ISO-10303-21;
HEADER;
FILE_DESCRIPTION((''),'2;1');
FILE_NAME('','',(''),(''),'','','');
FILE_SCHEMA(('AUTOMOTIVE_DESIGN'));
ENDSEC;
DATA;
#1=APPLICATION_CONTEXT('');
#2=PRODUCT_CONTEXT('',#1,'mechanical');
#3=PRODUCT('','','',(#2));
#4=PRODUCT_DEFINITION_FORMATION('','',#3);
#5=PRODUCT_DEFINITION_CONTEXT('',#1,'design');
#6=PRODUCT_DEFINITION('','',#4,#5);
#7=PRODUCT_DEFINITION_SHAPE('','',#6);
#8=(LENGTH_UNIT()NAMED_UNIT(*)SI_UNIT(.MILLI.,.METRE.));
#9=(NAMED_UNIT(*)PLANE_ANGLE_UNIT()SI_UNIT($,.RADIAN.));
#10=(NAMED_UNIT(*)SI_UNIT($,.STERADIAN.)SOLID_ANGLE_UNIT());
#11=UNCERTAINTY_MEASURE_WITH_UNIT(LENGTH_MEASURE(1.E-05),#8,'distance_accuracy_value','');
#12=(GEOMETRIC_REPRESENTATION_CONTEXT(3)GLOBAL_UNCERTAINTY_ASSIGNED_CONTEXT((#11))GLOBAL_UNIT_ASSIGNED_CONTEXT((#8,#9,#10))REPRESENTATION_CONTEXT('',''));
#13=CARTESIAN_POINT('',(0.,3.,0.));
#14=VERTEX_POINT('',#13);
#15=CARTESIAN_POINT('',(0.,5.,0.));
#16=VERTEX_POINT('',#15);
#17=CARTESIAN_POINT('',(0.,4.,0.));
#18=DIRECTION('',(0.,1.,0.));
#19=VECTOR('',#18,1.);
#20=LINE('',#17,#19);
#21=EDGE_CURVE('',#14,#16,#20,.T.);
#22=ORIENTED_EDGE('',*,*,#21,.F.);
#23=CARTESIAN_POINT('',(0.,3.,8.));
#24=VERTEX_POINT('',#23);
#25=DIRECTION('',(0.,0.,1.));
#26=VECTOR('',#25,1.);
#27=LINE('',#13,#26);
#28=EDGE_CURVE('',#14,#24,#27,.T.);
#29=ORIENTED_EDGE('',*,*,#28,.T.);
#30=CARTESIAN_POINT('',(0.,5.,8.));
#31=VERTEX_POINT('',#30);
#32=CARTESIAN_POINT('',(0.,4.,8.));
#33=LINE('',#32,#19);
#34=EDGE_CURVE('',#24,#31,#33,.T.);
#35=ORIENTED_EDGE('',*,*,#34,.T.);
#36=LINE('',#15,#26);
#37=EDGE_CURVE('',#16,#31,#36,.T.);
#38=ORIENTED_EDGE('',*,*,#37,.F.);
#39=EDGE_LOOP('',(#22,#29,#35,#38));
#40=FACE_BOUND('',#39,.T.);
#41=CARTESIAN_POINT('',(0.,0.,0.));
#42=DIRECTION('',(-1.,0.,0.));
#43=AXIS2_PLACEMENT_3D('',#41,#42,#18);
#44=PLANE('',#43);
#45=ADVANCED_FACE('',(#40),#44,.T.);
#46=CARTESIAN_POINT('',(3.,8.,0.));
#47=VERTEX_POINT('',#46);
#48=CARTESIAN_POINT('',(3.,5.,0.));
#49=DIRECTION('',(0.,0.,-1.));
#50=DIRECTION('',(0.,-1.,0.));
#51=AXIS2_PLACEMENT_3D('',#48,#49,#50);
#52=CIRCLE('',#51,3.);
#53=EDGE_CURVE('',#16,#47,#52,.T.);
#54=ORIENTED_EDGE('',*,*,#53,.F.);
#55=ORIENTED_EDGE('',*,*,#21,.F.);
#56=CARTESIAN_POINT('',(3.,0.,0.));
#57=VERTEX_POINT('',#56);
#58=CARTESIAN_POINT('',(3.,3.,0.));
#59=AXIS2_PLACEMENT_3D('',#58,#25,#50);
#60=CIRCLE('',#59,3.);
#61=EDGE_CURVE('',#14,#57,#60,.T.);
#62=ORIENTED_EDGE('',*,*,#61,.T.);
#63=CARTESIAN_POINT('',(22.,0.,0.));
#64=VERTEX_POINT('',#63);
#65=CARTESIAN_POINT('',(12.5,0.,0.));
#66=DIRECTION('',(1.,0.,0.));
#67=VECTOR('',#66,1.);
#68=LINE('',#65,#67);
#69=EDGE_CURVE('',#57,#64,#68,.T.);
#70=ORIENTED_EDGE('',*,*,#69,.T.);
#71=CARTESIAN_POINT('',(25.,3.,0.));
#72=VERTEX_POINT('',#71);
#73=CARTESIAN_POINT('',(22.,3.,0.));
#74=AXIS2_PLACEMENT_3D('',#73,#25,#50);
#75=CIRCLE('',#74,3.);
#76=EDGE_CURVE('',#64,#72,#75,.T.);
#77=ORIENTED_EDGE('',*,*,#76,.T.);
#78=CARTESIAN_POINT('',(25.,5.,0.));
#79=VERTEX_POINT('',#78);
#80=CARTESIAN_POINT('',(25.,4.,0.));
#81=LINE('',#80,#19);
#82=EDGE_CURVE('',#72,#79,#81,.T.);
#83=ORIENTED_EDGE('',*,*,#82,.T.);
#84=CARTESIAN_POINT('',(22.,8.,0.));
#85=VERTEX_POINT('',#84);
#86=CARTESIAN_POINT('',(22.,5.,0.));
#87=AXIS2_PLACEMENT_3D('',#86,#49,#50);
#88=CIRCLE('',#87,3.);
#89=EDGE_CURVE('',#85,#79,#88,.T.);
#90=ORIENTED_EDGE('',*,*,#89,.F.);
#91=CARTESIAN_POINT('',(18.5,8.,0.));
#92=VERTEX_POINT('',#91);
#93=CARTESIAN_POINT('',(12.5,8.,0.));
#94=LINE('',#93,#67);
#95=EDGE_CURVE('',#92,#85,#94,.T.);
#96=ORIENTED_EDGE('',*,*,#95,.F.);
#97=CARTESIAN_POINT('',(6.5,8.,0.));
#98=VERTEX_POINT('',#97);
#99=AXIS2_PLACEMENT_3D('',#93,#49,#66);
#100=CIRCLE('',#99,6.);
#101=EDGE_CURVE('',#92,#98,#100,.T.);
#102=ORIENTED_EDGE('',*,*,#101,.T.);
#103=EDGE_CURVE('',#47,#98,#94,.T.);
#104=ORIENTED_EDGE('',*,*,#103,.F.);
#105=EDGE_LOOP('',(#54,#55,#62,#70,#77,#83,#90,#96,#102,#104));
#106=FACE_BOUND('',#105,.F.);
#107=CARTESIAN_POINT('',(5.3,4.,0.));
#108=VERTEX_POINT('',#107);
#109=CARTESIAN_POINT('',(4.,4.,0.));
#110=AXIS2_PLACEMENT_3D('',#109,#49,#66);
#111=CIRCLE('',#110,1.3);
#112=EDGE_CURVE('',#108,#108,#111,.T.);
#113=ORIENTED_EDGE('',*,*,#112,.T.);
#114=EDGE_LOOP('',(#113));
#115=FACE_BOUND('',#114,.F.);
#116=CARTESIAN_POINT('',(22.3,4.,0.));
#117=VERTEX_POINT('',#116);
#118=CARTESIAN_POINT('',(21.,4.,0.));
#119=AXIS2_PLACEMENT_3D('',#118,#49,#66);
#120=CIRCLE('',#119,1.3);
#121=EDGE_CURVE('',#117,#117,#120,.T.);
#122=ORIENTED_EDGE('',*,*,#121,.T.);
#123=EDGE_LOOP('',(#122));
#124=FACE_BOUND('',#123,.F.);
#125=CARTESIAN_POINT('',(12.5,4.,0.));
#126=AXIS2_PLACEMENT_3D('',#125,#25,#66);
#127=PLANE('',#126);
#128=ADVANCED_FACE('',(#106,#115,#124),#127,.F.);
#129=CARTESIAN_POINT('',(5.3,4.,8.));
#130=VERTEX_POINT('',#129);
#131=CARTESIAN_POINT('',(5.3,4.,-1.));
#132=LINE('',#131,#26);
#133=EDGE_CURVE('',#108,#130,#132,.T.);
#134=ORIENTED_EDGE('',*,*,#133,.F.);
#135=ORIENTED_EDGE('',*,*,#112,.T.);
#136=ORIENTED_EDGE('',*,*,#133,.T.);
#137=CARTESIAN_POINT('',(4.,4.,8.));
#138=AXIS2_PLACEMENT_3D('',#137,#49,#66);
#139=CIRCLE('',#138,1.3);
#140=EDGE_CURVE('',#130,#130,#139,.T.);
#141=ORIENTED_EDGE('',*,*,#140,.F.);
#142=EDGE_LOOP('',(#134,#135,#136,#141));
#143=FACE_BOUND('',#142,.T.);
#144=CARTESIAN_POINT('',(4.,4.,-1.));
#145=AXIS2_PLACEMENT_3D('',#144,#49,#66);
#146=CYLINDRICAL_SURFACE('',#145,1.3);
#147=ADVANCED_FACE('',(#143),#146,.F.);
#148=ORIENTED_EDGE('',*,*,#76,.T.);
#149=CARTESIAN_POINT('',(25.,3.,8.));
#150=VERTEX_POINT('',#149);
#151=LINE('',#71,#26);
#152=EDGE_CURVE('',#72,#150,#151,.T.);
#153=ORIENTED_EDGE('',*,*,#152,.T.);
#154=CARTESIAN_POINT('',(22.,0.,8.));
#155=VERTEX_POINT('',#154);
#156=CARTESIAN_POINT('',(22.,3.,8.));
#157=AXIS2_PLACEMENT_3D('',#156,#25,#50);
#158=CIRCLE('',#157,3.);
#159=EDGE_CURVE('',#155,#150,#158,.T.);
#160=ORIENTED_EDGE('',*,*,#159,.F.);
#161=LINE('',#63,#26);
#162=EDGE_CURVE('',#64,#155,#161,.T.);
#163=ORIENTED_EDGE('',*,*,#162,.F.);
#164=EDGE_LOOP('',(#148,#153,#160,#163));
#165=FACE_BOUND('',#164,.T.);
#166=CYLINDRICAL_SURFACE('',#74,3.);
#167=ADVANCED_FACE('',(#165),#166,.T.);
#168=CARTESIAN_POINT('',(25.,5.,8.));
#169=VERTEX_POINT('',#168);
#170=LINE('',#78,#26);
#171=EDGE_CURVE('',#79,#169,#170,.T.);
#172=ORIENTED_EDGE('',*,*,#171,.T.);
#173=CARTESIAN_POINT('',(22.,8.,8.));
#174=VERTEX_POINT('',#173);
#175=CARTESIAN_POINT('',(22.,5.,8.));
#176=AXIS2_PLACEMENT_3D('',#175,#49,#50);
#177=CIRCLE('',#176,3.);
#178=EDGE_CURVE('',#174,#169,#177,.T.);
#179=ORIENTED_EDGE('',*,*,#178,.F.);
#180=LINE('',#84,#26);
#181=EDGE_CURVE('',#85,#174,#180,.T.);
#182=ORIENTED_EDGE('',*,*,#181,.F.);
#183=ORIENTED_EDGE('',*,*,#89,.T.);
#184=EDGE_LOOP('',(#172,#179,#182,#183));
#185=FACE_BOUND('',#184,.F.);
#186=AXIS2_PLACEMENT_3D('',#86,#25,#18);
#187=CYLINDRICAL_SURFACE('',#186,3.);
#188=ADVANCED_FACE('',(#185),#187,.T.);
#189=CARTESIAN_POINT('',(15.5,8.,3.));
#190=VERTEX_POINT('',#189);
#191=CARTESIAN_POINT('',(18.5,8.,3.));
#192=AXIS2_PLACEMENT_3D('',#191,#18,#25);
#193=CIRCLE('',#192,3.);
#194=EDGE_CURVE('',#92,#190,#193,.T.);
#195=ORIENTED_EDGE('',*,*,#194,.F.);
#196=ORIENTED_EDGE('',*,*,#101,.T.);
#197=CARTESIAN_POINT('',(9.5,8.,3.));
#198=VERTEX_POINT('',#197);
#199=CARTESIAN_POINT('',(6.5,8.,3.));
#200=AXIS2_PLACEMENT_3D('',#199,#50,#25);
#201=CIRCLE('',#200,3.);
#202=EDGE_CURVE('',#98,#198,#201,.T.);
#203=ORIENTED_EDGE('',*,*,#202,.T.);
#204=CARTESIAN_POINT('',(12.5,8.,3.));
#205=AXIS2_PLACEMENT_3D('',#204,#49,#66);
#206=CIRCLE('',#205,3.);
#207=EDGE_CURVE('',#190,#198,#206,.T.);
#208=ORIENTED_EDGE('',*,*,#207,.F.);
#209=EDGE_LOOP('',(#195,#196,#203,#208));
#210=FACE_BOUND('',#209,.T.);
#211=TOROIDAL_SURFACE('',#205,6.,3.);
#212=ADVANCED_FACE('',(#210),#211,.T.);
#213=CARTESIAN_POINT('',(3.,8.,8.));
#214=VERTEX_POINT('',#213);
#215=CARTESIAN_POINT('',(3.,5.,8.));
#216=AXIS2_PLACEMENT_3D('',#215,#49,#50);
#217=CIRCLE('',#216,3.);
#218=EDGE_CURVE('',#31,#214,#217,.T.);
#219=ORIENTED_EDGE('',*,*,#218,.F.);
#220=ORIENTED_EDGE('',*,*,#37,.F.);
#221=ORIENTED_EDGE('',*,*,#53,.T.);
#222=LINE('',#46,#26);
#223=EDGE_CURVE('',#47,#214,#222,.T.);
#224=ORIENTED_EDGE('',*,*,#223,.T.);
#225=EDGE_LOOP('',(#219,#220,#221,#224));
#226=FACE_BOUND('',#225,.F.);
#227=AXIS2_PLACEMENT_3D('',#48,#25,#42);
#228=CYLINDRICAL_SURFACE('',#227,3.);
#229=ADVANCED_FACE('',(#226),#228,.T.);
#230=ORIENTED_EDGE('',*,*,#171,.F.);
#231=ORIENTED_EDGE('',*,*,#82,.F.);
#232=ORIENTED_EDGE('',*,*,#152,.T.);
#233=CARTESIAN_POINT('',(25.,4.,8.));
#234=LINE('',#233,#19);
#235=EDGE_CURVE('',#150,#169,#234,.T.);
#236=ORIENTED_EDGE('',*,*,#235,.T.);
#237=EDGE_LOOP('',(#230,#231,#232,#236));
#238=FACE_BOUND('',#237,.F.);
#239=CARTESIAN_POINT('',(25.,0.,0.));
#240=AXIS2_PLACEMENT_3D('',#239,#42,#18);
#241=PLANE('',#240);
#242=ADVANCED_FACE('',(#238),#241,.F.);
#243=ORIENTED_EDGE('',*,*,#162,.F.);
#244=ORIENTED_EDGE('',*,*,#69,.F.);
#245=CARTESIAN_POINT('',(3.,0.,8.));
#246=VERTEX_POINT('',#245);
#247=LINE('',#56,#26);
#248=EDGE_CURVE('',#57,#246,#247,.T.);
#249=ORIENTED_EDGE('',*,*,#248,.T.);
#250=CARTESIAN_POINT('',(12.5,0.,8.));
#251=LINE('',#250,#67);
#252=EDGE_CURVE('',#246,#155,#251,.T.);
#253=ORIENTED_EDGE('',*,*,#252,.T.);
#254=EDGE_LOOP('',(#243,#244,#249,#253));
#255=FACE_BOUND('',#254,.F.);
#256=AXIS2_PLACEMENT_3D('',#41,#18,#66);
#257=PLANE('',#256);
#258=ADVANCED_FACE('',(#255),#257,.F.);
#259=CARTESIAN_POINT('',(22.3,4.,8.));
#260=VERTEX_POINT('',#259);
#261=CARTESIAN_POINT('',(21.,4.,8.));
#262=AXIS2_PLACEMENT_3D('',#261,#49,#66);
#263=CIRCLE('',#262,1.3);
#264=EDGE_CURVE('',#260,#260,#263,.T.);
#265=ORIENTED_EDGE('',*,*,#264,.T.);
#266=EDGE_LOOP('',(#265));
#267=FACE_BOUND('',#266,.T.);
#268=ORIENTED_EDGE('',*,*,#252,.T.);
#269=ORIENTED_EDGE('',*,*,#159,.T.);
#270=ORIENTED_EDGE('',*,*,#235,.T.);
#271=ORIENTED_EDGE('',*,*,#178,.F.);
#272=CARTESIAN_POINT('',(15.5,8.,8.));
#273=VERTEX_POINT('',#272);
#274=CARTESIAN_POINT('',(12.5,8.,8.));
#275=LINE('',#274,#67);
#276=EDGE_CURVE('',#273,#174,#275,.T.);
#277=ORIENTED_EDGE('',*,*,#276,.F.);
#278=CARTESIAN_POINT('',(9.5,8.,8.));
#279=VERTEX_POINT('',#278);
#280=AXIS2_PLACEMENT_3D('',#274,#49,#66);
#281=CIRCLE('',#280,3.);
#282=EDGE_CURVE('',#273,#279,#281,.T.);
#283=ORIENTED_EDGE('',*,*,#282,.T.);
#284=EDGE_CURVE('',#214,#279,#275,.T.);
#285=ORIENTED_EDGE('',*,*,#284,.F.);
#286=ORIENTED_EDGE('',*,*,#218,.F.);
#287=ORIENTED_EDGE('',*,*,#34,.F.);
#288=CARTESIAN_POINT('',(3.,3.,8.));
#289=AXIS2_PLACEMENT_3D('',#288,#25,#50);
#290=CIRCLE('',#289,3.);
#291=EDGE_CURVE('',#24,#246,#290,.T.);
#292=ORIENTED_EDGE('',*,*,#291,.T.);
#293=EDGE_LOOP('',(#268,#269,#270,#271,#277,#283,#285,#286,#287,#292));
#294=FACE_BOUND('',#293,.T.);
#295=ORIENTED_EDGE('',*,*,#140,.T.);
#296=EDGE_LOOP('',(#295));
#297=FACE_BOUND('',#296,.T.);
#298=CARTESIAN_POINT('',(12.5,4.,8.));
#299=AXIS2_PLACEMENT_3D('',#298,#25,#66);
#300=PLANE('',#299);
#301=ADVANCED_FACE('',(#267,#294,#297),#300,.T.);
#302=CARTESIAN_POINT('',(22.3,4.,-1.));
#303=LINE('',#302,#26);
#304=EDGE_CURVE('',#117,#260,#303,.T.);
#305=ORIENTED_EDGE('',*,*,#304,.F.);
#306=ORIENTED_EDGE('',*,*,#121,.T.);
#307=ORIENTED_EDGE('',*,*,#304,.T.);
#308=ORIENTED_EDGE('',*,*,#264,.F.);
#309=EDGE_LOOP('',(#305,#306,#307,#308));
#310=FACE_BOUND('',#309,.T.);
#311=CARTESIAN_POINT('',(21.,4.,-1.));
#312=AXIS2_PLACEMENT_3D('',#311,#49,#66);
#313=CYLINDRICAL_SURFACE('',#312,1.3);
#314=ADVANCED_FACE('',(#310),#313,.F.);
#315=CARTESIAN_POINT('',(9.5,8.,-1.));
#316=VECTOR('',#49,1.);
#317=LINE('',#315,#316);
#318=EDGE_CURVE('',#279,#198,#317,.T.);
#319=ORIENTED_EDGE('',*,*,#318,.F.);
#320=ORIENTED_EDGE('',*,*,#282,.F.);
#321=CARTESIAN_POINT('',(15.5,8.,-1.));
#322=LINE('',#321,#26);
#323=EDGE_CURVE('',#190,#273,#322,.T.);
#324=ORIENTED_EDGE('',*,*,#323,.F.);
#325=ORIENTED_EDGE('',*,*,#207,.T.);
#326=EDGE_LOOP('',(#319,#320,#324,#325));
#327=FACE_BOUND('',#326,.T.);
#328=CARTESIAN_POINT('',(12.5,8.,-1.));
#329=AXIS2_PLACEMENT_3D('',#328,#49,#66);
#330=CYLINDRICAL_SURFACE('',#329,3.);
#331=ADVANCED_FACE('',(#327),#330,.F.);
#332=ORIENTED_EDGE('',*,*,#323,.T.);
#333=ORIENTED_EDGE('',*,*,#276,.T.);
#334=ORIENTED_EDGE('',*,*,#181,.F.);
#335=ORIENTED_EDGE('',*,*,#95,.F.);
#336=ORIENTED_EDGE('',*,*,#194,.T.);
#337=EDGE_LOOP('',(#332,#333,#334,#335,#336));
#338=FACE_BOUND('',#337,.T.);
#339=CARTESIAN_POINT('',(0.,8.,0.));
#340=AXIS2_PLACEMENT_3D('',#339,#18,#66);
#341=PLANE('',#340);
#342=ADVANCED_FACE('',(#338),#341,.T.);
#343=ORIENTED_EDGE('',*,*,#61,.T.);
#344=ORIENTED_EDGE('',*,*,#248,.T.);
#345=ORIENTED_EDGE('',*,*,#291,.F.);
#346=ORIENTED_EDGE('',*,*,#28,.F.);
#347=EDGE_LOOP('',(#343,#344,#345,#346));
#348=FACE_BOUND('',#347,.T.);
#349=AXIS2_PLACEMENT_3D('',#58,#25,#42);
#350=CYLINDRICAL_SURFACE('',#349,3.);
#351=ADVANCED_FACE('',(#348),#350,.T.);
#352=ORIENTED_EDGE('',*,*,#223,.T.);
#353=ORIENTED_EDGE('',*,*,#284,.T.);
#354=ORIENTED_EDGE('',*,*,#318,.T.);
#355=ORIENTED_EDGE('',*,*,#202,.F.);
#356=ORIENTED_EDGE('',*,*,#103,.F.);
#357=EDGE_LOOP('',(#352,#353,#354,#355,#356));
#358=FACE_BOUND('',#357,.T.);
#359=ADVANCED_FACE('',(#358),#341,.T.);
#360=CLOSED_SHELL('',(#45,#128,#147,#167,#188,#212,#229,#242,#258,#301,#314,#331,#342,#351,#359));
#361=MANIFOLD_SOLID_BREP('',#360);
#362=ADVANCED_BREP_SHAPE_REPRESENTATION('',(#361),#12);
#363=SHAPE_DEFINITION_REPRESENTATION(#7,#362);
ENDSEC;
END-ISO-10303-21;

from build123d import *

# Parameters (mm, degrees)
CYLINDER002_R     = 3
CYLINDER002_DEPTH = 10
CYLINDER001_R     = 1.3
CYLINDER001_DEPTH = 10
CYLINDER_R        = 1.3
CYLINDER_DEPTH    = 10
BOX_W             = 25
BOX_H             = 8
BOX_DEPTH         = 8
FILLET_R          = 3
FILLET001_R       = 3


with BuildPart() as cylinder002:
    # Cylinder002 → Cylinder002 (new body)
    with BuildSketch(Plane(origin=(12.5, 8, -1), x_dir=(1, 0, 0), z_dir=(0, 0, 1))):
        Circle(CYLINDER002_R)
    extrude(amount=CYLINDER002_DEPTH)


with BuildPart() as cylinder001:
    # Cylinder001 → Cylinder001 (new body)
    with BuildSketch(Plane(origin=(21, 4, -1), x_dir=(1, 0, 0), z_dir=(0, 0, 1))):
        Circle(CYLINDER001_R)
    extrude(amount=CYLINDER001_DEPTH)


with BuildPart() as fusion:
    # Cylinder → Cylinder (new body)
    with BuildSketch(Plane(origin=(4, 4, -1), x_dir=(1, 0, 0), z_dir=(0, 0, 1))):
        Circle(CYLINDER_R)
    extrude(amount=CYLINDER_DEPTH)

    # Fusion: union Cylinder001
    add(cylinder001.part)


with BuildPart() as fillet001:
    # Box → Box (new body)
    with BuildSketch(Plane.XY):
        with Locations((12.5, 4)):
            Rectangle(BOX_W, BOX_H)
    extrude(amount=BOX_DEPTH)

    # Cut: cut Fusion
    add(fusion.part, mode=Mode.SUBTRACT)

    # Fillet
    fillet_edges = [fillet001.edges().sort_by_distance(p)[0] for p in [
        (0, 0, 4),
        (0, 8, 4),
        (25, 0, 4),
        (25, 8, 4),
    ]]
    fillet(fillet_edges, radius=FILLET_R)

    # Cut001: cut Cylinder002
    add(cylinder002.part, mode=Mode.SUBTRACT)

    # Fillet001
    fillet001_edges = [fillet001.edges().sort_by_distance(p)[0] for p in [
        (12.5, 5, 0),
    ]]
    fillet(fillet001_edges, radius=FILLET001_R)


solid = fillet001.part
